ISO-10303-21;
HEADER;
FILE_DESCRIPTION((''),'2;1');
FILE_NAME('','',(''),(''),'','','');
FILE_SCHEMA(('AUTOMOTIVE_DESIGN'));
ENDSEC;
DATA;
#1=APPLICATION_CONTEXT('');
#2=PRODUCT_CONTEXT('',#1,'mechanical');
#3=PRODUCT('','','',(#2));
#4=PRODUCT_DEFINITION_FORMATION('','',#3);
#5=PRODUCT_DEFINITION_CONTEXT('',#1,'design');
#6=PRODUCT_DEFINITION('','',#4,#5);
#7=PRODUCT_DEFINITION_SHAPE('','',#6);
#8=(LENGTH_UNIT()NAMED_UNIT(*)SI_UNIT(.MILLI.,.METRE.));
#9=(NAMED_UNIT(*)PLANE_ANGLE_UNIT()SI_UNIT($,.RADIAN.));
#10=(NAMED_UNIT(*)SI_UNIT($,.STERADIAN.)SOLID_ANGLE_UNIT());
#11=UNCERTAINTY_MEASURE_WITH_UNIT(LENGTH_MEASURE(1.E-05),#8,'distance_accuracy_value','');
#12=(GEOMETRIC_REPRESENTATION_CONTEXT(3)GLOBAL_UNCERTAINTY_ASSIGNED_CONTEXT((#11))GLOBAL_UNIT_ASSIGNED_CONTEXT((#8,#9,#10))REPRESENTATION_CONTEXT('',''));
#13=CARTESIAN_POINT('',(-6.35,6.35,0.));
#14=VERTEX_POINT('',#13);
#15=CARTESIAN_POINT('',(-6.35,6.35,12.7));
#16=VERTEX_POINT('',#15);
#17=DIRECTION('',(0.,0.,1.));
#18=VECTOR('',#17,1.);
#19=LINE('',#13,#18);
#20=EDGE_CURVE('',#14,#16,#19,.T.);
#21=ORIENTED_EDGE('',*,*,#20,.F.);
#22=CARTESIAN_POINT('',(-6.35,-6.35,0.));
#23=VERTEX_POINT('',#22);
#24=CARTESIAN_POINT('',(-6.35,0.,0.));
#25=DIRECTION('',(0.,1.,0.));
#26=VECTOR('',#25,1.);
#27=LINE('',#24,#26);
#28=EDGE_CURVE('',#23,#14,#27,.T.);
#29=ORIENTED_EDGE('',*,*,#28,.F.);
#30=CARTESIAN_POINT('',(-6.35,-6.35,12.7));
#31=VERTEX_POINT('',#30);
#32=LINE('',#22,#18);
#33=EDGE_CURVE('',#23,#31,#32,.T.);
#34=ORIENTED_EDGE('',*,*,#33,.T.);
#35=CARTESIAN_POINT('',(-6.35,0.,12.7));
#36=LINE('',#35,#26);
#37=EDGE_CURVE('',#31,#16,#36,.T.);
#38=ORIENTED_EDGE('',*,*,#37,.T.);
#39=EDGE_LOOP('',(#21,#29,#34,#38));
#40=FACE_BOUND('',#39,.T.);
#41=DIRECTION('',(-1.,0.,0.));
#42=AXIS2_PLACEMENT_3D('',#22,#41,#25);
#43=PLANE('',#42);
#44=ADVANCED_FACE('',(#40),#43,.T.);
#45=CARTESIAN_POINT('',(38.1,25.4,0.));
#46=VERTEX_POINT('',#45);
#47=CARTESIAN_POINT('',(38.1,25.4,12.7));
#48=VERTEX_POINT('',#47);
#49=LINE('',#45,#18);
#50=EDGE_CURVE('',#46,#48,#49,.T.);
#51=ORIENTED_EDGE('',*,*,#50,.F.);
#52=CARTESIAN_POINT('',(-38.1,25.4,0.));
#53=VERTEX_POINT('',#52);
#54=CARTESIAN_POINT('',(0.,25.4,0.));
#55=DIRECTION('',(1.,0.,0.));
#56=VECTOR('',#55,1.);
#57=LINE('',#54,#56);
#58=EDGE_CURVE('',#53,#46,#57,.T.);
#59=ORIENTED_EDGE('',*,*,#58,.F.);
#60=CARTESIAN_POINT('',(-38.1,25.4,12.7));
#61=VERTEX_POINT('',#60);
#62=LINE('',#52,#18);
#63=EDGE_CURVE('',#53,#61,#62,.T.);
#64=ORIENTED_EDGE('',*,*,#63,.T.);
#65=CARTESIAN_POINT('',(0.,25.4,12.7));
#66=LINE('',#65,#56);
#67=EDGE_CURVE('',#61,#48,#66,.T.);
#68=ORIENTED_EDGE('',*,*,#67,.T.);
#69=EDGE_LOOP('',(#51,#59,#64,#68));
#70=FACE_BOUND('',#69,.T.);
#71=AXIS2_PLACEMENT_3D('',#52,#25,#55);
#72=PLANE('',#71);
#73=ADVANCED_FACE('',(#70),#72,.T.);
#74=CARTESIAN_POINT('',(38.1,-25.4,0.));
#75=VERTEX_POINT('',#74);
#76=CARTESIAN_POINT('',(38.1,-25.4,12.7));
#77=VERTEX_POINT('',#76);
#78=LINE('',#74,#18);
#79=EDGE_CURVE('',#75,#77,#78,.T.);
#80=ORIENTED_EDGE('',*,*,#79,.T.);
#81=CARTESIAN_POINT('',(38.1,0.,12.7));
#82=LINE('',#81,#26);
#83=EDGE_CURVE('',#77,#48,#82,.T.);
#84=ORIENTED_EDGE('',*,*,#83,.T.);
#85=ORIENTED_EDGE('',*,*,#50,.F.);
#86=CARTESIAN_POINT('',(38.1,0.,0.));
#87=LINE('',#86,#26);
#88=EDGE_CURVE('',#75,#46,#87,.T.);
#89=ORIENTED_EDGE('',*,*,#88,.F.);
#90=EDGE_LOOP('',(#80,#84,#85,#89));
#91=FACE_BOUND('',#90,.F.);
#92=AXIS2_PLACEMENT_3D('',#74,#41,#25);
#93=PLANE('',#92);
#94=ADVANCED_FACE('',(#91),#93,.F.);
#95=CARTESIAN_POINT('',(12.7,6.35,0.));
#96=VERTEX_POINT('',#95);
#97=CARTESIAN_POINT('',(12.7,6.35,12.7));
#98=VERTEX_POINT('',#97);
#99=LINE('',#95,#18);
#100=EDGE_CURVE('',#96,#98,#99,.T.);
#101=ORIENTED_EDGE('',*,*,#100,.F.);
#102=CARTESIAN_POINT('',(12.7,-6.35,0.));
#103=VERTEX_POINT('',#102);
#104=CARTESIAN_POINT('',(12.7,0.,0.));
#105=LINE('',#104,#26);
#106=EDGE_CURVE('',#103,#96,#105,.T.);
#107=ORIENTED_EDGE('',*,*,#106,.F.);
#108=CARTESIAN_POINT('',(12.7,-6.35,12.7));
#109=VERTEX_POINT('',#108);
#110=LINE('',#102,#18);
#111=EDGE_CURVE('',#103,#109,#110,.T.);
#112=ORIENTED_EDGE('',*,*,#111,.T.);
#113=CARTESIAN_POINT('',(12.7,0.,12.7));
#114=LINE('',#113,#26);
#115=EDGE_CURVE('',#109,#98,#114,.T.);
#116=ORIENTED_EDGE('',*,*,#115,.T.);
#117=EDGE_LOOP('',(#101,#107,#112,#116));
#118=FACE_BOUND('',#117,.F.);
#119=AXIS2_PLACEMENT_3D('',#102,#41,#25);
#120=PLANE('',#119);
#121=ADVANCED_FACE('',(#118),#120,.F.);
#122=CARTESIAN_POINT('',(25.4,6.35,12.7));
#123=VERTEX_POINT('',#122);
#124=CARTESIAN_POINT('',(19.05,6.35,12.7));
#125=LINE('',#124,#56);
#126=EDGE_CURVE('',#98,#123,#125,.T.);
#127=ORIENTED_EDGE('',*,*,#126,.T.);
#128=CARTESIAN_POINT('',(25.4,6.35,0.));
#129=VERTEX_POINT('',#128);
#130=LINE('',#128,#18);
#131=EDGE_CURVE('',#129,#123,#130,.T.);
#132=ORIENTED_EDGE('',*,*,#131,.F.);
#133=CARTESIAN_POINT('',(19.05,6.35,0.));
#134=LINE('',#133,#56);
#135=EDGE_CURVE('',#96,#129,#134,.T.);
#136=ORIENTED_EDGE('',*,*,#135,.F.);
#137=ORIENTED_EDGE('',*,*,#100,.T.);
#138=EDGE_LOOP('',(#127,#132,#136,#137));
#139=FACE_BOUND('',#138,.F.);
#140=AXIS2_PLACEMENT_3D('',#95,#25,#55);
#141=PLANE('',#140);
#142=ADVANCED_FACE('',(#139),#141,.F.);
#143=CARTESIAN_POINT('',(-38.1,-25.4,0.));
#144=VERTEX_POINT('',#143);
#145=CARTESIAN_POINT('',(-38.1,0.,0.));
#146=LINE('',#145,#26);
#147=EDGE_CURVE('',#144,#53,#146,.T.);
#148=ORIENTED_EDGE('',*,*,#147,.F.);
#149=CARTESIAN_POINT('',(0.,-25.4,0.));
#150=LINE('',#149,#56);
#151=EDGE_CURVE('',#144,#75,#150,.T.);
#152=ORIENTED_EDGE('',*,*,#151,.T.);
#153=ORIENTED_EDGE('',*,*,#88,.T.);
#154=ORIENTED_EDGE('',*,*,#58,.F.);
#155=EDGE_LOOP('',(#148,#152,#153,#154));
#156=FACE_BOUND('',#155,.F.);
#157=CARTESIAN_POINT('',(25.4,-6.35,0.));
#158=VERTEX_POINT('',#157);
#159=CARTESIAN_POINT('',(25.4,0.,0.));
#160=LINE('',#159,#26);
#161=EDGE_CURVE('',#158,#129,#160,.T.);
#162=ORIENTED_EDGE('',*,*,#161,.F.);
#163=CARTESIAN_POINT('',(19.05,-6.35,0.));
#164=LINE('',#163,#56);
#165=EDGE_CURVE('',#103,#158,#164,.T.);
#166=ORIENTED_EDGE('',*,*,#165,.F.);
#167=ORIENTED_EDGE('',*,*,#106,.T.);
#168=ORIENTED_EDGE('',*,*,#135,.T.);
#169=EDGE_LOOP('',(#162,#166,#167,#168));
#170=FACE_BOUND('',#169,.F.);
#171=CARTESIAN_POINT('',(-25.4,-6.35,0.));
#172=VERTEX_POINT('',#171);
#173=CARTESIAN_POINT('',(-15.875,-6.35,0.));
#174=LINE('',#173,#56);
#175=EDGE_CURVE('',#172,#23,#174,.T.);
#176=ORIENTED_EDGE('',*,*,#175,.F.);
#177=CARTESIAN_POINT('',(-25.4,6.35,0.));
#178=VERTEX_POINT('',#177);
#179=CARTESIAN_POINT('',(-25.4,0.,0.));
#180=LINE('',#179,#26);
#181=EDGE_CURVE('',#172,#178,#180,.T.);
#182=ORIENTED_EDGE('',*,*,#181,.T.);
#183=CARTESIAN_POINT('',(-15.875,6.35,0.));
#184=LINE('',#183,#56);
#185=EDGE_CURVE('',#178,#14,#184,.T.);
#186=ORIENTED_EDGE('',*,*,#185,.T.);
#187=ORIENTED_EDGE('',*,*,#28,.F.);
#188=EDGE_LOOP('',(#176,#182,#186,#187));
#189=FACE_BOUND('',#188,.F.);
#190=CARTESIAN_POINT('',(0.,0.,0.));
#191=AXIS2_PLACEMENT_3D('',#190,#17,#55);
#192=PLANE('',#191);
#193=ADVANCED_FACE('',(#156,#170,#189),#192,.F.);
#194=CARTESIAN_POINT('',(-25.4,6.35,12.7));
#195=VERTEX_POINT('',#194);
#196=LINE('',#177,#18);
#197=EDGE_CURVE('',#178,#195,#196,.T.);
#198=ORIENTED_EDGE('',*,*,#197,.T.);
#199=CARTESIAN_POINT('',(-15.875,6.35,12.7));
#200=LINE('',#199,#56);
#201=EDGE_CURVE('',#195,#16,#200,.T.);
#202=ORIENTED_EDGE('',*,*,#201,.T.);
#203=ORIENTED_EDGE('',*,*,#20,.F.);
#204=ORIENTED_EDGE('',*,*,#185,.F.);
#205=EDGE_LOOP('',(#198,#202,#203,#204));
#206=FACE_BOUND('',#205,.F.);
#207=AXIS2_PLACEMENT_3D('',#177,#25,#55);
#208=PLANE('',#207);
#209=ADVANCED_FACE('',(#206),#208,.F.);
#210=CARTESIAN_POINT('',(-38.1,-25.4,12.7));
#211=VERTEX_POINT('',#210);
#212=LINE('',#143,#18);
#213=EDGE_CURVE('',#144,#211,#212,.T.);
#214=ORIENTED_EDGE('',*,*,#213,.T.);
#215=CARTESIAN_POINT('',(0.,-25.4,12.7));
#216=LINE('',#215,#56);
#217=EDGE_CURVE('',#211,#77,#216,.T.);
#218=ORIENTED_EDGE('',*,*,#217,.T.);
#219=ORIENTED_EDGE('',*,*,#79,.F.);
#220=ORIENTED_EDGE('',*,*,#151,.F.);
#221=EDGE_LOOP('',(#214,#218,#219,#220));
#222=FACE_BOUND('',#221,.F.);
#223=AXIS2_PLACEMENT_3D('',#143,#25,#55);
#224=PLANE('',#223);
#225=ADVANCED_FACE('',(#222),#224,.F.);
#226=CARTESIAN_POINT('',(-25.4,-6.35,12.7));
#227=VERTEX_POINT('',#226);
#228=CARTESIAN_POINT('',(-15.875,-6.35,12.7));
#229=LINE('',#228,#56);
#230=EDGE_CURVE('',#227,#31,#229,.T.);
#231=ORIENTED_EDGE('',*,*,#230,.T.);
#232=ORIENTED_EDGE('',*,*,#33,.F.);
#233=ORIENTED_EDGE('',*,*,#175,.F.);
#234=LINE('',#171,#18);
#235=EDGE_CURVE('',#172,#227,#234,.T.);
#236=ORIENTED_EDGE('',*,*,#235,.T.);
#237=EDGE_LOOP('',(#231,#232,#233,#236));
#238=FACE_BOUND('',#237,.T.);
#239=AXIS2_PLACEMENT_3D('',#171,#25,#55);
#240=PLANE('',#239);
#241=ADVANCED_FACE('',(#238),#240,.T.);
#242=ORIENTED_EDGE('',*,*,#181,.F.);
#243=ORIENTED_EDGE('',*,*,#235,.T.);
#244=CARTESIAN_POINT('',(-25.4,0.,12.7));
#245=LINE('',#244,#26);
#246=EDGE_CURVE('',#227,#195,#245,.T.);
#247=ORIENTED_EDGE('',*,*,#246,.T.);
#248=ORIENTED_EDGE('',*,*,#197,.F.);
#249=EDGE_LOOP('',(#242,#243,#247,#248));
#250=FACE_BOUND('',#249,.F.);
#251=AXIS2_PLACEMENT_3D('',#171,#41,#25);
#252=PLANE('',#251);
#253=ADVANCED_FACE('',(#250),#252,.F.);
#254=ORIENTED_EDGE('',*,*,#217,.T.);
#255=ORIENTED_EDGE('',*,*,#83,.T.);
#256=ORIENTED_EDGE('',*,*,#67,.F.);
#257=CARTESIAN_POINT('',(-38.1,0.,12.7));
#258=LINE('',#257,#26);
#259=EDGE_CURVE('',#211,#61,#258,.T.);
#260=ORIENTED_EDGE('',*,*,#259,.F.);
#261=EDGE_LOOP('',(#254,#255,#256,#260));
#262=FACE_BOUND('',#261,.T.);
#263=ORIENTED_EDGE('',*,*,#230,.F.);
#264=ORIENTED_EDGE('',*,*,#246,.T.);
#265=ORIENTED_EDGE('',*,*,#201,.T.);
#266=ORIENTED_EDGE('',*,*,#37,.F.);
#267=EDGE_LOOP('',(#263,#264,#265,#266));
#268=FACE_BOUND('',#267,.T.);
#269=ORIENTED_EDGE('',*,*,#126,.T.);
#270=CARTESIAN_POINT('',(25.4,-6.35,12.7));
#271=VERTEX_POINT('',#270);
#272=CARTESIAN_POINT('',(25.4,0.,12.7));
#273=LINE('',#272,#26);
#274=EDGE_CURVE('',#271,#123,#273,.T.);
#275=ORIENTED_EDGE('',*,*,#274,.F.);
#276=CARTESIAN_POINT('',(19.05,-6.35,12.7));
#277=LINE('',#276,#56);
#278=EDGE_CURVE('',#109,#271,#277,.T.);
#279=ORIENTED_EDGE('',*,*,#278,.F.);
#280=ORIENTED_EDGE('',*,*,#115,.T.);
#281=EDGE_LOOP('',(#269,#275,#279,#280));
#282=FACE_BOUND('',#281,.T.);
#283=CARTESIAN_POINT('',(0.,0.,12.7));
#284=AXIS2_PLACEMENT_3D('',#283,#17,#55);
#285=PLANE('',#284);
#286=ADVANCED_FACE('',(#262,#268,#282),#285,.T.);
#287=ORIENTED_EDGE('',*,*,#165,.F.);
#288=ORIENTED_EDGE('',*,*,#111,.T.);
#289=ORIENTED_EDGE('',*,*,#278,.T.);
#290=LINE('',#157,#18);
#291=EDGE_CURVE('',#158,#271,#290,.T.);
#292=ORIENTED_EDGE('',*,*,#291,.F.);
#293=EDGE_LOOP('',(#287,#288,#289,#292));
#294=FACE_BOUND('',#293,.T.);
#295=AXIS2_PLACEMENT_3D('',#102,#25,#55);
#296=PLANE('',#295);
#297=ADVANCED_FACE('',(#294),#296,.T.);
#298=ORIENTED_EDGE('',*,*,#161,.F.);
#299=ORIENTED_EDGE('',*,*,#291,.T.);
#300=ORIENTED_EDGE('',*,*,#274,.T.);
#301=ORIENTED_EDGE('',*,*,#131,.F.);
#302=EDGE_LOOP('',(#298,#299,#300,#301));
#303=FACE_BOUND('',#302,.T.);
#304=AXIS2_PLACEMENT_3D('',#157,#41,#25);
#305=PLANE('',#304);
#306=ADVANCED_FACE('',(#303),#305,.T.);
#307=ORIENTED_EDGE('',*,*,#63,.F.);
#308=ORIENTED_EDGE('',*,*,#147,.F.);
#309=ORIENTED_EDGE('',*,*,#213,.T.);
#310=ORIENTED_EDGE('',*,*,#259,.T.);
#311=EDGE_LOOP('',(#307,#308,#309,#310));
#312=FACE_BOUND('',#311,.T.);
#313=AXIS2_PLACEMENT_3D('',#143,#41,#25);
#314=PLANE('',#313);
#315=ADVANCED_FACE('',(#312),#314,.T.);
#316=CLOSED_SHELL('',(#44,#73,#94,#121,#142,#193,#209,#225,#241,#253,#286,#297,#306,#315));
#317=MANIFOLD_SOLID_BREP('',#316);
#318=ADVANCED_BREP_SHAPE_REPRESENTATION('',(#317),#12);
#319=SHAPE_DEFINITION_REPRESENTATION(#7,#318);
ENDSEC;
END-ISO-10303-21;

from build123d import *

# Parameters (mm, degrees)
F0_W     = 76.2
F0_H     = 50.8
F0_W_2   = 19.05
F0_H_2   = 12.7
F0_W_3   = 12.7
F1_DEPTH = 12.7


with BuildPart() as f1:
    # F0 (on Top) → F1 (new body)
    with BuildSketch(Plane.XY):
        Rectangle(F0_W, F0_H)
        with Locations((-15.875, 0)):
            Rectangle(F0_W_2, F0_H_2, mode=Mode.SUBTRACT)
        with Locations((19.05, 0)):
            Rectangle(F0_W_3, F0_H_2, mode=Mode.SUBTRACT)
    extrude(amount=F1_DEPTH)


solid = f1.part
